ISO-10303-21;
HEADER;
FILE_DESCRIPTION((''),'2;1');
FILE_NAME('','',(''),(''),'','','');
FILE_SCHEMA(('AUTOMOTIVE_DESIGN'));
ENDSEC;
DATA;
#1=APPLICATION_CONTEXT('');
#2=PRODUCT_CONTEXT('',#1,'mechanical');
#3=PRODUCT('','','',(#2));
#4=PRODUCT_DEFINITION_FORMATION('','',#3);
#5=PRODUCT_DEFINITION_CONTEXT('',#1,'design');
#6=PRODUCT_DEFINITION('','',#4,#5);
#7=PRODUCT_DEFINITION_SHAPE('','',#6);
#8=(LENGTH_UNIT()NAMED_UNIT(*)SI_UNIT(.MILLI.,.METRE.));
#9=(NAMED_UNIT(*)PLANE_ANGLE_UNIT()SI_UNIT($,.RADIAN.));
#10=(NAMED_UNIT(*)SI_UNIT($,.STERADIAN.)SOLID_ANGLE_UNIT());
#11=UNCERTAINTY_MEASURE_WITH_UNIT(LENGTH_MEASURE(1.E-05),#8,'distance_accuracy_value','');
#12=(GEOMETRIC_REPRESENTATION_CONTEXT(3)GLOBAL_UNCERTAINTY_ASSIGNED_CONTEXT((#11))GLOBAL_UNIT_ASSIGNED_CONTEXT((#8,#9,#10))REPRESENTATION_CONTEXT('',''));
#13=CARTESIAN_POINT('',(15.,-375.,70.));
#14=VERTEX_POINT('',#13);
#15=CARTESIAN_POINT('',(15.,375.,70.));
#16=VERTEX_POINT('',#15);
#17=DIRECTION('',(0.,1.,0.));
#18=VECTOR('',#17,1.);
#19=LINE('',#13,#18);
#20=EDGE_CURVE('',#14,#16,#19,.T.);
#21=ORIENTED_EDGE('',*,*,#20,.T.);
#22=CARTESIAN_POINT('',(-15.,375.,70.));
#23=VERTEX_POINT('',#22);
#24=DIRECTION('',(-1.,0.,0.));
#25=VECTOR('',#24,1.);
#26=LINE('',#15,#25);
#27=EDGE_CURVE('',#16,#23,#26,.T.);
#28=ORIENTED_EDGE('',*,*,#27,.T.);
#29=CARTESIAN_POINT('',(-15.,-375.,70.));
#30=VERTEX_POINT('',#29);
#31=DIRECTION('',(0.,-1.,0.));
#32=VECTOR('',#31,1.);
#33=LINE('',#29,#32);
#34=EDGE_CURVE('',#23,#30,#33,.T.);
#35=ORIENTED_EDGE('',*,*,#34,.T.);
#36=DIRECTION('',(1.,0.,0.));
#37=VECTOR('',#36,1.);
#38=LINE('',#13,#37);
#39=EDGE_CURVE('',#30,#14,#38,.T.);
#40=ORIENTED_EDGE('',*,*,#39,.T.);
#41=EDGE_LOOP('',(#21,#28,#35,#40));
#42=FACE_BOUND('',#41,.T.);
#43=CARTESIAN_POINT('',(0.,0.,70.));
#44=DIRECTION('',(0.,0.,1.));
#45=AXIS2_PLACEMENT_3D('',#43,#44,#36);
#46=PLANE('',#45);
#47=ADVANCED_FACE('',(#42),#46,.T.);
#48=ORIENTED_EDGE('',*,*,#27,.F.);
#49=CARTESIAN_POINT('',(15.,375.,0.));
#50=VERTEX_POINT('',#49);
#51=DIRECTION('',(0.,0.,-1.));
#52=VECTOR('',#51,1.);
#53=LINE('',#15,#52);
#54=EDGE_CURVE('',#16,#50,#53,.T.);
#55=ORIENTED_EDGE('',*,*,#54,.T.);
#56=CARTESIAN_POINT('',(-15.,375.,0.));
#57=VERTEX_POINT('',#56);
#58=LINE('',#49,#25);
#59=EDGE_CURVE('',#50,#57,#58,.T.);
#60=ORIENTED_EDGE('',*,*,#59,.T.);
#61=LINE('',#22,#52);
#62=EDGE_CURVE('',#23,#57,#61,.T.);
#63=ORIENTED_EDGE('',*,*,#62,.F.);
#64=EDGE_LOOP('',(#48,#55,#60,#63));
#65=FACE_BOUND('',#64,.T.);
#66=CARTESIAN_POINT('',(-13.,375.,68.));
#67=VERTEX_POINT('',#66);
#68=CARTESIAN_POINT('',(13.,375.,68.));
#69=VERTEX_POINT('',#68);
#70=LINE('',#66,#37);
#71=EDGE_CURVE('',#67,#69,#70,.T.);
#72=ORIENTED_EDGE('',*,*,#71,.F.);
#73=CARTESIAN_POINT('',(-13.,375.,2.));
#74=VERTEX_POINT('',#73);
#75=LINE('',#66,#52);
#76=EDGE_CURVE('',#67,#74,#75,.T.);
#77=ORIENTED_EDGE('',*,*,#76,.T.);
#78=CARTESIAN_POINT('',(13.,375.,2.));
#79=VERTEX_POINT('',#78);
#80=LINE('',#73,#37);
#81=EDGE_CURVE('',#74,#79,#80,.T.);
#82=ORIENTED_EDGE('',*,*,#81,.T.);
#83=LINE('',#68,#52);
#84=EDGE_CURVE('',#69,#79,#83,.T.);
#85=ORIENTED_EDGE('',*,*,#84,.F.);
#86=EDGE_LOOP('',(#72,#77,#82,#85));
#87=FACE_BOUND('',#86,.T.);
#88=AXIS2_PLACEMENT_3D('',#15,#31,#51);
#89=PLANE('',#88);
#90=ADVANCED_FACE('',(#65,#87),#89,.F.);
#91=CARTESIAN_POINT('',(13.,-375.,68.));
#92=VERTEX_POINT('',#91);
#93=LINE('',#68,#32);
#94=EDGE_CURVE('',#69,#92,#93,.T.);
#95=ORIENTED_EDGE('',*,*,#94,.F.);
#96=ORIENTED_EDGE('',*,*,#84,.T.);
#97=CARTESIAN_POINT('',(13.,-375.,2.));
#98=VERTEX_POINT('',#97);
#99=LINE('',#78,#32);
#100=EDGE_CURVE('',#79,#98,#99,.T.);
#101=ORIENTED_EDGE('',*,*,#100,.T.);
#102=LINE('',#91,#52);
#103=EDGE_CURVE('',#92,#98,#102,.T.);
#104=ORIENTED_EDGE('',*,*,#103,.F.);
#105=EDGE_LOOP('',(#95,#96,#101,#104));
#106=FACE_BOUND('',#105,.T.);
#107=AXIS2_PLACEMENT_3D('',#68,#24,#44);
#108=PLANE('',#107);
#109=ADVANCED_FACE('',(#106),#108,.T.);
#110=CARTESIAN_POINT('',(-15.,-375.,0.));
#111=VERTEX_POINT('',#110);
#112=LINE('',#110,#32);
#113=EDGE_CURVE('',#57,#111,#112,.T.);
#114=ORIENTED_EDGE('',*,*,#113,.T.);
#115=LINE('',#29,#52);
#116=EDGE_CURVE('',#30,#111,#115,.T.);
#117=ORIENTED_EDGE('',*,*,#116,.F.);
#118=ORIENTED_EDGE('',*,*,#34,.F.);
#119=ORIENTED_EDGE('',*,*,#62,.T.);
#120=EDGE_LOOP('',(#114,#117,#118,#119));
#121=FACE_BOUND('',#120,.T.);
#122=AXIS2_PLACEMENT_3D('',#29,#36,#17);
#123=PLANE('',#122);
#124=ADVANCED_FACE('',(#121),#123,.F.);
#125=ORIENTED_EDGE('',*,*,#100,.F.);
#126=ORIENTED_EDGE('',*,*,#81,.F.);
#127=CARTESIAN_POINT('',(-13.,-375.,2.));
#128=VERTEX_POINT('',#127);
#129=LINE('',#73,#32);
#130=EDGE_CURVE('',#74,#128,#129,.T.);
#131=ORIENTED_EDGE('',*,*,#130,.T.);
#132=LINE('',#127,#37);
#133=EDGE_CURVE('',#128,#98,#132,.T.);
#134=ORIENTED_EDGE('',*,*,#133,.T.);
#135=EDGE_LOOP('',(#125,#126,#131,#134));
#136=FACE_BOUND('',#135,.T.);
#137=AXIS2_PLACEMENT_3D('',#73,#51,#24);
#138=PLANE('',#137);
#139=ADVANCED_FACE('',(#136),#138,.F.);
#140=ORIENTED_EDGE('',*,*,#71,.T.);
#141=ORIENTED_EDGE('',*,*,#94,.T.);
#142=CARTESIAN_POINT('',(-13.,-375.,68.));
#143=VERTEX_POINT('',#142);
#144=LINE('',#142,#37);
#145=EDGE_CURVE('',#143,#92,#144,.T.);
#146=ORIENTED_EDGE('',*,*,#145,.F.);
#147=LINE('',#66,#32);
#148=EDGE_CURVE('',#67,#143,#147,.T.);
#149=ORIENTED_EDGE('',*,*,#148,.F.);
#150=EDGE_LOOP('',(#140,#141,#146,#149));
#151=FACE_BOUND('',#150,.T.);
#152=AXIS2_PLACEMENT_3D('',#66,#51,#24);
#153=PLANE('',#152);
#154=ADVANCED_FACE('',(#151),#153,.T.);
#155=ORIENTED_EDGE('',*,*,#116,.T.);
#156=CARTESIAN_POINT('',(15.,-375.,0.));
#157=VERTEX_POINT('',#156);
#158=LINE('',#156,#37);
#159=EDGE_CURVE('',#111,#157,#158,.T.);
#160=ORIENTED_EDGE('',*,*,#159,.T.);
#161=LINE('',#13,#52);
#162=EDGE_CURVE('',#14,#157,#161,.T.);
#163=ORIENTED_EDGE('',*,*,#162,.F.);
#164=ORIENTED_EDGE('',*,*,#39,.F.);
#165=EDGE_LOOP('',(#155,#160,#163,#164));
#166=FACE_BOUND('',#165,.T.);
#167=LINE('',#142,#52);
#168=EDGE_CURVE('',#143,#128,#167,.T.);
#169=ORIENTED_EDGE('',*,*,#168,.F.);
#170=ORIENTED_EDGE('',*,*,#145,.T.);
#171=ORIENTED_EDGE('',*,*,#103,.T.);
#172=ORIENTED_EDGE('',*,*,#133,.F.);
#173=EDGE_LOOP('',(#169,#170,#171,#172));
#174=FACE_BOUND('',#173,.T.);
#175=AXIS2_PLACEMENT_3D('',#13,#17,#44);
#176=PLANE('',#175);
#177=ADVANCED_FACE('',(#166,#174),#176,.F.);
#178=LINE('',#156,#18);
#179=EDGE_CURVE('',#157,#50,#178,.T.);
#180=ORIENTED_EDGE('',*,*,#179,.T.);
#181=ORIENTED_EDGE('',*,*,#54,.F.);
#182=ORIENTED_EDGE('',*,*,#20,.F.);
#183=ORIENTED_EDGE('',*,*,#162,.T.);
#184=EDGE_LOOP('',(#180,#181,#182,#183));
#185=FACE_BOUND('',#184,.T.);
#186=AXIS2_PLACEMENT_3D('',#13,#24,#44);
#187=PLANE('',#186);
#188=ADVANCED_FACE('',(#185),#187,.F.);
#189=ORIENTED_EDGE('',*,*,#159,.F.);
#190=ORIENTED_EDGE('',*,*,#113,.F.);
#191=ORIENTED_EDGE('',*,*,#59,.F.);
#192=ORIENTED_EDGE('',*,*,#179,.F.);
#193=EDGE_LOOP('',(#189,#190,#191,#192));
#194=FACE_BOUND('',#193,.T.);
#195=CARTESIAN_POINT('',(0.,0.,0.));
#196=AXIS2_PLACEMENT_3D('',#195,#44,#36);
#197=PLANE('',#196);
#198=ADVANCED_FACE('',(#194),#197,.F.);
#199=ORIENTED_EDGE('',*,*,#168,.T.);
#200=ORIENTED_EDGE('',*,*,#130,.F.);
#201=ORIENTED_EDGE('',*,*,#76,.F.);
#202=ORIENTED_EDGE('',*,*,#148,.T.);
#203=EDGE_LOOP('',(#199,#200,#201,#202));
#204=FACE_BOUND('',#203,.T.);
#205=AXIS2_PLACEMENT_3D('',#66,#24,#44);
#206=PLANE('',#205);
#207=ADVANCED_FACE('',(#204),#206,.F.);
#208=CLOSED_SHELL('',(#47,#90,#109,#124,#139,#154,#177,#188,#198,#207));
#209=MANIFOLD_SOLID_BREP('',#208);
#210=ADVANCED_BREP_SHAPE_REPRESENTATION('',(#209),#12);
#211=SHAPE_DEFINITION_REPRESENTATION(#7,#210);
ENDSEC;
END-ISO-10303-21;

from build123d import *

# Parameters (mm, degrees)
SKETCH_1_W          = 30
SKETCH_1_H          = 750
EXTRUDE_2_DEPTH     = 70
SKETCH_2_W          = 26
SKETCH_2_H          = 66
CUT_EXTRUDE_3_DEPTH = 751


with BuildPart() as part:
    # 草图1 → 凸台-拉伸2 (new body)
    with BuildSketch(Plane.XY):
        Rectangle(SKETCH_1_W, SKETCH_1_H)
    extrude(amount=EXTRUDE_2_DEPTH)

    # 草图2 → 切除-拉伸3 (cut, through all)
    with BuildSketch(Plane.XZ.offset(375)):
        with Locations((0, 35)):
            Rectangle(SKETCH_2_W, SKETCH_2_H)
    extrude(amount=-CUT_EXTRUDE_3_DEPTH, mode=Mode.SUBTRACT)


solid = part.part
